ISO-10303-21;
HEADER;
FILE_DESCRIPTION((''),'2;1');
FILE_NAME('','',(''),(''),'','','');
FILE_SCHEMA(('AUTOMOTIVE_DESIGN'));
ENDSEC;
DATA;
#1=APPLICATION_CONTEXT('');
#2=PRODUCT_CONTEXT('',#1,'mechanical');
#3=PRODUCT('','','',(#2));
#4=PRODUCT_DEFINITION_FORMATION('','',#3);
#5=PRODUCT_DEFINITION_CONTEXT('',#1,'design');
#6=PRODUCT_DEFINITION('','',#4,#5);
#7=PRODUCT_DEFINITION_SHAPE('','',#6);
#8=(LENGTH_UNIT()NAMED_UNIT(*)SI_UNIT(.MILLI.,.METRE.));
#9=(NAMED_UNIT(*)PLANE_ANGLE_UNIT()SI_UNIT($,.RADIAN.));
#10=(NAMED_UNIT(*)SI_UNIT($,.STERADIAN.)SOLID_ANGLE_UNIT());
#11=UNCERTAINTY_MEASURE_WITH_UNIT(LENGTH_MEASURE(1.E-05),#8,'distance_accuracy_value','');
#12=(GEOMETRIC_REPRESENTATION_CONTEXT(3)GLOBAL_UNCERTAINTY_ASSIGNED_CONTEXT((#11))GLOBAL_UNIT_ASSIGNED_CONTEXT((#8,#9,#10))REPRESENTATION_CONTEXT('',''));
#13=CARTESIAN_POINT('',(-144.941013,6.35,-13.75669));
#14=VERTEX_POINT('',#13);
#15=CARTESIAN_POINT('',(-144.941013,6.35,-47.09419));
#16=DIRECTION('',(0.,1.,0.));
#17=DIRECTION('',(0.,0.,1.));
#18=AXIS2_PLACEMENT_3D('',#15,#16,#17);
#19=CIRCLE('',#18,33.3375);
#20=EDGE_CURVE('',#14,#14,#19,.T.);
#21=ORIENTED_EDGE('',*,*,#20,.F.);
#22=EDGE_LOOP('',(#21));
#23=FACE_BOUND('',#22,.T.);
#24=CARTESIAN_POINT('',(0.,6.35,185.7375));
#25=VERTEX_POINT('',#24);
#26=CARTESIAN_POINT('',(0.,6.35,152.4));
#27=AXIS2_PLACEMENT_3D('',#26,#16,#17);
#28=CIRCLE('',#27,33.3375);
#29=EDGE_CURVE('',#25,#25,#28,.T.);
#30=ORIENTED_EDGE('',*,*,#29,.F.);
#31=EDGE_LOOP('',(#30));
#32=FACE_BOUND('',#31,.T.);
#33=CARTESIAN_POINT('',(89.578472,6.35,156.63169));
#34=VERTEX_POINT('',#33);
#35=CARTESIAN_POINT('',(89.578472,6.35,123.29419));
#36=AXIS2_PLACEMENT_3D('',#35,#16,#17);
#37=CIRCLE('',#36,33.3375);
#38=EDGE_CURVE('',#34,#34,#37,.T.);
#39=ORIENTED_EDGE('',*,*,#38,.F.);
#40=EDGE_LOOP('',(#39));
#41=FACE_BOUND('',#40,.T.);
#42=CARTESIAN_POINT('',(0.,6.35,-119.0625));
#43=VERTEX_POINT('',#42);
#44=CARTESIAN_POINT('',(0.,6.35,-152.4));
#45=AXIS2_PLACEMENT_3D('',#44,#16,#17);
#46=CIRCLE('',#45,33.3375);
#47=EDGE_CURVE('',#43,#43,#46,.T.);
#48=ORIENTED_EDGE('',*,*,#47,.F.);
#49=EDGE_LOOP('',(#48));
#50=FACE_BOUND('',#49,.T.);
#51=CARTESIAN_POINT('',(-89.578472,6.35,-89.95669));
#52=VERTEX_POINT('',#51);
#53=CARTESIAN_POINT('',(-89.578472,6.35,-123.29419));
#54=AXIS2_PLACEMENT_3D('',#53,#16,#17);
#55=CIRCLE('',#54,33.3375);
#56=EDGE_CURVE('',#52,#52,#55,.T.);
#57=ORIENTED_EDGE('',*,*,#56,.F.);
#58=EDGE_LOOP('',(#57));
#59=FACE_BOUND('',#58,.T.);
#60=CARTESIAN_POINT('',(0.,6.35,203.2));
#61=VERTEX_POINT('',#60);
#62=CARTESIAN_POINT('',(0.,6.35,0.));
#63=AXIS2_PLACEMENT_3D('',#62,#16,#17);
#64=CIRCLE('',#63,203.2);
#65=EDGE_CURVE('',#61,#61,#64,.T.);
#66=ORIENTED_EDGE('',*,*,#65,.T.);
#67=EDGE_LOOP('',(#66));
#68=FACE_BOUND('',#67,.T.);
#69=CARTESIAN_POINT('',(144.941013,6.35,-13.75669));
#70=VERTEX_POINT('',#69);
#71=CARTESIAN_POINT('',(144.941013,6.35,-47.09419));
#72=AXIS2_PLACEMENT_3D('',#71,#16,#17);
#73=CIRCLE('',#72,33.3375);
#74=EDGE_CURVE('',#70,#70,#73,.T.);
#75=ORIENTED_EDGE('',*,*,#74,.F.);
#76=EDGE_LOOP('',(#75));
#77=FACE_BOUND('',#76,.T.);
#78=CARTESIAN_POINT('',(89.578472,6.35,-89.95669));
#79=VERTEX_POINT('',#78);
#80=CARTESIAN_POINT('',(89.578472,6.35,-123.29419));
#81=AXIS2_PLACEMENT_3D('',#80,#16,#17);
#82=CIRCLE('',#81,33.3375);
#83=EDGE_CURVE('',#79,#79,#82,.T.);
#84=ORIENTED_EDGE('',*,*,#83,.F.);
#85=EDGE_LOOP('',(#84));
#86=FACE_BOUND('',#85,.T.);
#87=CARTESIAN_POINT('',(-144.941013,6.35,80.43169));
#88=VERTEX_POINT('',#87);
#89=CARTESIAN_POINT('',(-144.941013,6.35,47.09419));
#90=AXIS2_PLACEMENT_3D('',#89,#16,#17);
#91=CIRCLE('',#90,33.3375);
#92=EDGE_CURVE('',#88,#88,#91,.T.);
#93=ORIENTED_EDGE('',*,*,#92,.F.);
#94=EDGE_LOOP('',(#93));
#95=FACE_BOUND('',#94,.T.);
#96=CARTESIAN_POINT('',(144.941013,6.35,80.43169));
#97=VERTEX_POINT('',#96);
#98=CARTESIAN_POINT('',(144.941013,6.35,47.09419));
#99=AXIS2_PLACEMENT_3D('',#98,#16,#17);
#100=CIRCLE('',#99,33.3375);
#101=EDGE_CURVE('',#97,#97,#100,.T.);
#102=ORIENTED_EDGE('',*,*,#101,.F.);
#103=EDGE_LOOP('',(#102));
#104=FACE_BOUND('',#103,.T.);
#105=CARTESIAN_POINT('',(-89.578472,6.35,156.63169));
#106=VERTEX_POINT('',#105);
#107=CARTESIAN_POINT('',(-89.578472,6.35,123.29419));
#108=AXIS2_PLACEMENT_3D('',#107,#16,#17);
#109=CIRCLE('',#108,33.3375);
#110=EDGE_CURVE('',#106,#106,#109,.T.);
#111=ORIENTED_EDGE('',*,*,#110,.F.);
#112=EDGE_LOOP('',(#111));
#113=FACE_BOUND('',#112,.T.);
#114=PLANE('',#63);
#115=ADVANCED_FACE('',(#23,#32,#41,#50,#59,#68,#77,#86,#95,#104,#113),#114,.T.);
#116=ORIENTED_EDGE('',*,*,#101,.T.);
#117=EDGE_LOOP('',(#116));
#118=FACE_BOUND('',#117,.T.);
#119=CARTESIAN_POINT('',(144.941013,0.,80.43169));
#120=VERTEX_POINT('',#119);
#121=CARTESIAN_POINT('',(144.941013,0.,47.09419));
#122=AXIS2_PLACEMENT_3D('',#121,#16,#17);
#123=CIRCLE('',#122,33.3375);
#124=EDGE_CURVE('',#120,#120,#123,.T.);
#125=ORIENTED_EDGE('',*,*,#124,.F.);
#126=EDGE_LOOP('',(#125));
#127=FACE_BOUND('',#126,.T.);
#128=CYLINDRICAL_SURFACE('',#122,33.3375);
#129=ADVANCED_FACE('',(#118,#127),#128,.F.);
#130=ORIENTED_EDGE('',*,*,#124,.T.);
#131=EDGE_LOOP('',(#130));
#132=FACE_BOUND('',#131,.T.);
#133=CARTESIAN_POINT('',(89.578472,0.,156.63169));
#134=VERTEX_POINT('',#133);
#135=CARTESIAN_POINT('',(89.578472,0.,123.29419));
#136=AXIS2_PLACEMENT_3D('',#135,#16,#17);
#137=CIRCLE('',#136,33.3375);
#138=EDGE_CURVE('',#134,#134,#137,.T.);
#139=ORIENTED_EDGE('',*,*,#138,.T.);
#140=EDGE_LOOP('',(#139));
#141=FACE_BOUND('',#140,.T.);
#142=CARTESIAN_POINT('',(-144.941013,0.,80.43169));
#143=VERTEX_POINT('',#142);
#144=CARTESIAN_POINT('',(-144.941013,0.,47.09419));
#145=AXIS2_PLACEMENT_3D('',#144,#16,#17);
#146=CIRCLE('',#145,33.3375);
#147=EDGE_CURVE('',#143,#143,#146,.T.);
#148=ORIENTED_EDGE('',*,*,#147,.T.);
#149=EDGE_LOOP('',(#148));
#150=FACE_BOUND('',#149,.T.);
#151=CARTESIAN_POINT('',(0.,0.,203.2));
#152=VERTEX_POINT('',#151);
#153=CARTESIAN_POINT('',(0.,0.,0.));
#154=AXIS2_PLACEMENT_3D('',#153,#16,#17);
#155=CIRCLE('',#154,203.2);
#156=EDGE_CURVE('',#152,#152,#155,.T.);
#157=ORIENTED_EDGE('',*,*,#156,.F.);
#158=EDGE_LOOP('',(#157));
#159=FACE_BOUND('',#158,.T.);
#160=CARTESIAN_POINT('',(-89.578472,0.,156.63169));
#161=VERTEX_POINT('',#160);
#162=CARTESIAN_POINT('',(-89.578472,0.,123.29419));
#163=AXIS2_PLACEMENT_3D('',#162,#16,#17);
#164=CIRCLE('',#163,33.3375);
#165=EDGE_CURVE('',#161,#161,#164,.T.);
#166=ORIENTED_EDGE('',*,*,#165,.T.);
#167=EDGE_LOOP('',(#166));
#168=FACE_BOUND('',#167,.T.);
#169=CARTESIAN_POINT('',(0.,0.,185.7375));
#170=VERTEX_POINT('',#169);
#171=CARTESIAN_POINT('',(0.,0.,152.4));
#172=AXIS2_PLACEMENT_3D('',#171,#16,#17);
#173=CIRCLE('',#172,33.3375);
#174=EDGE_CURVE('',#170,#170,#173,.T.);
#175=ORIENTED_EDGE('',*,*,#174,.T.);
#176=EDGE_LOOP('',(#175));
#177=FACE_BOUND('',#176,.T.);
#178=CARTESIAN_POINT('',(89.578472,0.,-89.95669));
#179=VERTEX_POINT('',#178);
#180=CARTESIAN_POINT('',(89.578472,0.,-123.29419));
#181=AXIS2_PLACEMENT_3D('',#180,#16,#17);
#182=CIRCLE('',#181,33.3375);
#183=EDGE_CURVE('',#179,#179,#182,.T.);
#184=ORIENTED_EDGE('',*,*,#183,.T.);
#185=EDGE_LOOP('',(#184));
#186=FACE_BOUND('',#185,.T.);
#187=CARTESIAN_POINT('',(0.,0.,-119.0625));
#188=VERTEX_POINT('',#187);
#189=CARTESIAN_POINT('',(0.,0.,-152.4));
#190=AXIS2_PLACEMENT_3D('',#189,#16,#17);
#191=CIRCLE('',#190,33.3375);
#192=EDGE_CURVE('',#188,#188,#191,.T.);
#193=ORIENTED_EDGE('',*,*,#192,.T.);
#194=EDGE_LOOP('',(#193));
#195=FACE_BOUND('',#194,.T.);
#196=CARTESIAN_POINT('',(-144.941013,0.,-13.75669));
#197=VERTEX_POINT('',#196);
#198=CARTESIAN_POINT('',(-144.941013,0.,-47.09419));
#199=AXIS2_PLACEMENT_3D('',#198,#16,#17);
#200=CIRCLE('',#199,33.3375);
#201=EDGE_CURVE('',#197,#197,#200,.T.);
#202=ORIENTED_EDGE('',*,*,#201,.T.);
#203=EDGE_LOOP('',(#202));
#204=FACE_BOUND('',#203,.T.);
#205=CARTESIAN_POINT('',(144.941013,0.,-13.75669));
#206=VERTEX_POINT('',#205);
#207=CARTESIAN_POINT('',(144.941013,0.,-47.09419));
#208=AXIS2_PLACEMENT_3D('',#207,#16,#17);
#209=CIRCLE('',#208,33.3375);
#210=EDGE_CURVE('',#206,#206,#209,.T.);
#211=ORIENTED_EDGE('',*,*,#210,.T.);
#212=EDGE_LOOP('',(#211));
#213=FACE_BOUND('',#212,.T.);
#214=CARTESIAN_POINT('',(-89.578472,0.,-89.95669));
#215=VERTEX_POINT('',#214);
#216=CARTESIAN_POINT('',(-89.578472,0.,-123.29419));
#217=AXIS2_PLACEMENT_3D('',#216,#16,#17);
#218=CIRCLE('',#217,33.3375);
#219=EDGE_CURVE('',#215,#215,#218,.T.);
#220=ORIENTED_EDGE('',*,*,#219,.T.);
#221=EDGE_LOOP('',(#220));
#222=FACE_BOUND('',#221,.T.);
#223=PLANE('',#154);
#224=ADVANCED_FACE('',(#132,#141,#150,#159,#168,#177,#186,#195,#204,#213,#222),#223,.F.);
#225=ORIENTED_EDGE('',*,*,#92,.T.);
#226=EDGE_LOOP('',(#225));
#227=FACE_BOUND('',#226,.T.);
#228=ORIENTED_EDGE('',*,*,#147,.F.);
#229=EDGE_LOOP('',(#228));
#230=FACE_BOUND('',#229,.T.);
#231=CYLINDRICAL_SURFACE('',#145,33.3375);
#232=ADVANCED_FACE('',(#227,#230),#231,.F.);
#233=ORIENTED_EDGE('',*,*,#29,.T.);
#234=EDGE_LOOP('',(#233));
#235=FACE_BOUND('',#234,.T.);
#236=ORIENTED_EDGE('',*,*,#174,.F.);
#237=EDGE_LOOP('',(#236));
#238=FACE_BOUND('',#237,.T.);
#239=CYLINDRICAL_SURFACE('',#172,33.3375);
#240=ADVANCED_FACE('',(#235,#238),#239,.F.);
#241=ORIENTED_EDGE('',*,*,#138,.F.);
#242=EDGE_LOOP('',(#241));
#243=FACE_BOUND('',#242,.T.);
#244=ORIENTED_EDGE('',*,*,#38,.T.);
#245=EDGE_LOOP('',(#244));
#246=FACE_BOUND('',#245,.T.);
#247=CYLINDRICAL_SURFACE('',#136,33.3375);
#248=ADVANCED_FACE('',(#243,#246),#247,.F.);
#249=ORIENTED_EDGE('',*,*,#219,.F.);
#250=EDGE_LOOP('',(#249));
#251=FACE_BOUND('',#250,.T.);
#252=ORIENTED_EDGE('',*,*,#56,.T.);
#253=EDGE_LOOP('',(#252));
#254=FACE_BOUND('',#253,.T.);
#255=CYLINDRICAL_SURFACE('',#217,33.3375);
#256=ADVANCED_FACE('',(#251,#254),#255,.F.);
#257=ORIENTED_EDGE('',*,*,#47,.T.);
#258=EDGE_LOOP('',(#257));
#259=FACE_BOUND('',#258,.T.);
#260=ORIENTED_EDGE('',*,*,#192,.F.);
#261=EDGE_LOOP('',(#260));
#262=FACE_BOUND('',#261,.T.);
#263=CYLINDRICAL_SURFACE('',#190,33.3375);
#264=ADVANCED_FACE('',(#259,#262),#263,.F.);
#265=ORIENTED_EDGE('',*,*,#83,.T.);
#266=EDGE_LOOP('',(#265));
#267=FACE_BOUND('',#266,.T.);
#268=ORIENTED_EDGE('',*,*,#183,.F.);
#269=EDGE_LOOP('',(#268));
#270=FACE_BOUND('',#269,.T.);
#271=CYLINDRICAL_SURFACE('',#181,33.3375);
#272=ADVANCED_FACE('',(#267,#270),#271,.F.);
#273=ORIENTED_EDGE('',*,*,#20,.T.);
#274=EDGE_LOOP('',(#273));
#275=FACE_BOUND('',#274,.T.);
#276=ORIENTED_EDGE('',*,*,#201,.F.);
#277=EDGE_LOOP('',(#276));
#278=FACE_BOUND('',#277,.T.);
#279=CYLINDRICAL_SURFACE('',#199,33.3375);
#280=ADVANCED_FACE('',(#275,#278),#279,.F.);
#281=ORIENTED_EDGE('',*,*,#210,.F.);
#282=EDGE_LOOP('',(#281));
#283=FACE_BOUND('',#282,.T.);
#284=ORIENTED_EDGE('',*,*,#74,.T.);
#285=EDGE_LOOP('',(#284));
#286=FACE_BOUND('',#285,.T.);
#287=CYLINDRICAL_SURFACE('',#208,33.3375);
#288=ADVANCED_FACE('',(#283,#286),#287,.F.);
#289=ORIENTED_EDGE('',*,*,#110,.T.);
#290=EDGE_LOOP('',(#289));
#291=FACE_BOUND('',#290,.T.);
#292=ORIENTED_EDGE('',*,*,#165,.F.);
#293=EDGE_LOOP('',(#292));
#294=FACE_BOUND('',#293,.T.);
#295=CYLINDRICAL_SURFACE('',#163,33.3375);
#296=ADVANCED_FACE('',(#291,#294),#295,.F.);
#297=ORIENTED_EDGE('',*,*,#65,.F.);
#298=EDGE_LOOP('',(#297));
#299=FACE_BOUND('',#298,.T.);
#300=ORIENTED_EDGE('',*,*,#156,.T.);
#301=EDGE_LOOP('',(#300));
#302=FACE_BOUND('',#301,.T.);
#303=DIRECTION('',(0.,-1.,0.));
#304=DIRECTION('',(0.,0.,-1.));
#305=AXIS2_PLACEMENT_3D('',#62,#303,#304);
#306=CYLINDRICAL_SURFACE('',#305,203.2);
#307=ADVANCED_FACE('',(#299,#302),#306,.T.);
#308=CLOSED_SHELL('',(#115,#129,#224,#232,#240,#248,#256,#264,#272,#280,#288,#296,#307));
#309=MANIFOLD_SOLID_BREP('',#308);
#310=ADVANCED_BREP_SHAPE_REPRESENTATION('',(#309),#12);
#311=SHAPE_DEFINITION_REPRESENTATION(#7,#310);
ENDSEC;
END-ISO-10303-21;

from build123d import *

# Parameters (mm, degrees)
SKETCH1_R           = 203.2
BOSS_EXTRUDE1_DEPTH = 6.35
SKETCH2_R           = 33.3375
CUT_EXTRUDE1_DEPTH  = 288.438345563


with BuildPart() as part:
    # Sketch1 → Boss-Extrude1 (new body)
    with BuildSketch(Plane(origin=(0, 0, 0), x_dir=(1, 0, 0), z_dir=(0, 1, 0))):
        with Locations(Location((0, 0, 0), (0, 0, 270))):
            Circle(SKETCH1_R)
    extrude(amount=BOSS_EXTRUDE1_DEPTH)

    # Sketch2 → Cut-Extrude1 (cut, through all)
    with BuildSketch(Plane(origin=(0, 6.35, 0), x_dir=(1, 0, 0), z_dir=(0, 1, 0))):
        with Locations(Location((0, 152.4, 0), (0, 0, 270))):
            Circle(SKETCH2_R)
        with Locations(Location((89.578472449, 123.294189943, 0), (0, 0, 270))):
            Circle(SKETCH2_R)
        with Locations(Location((144.941013083, 47.094189943, 0), (0, 0, 270))):
            Circle(SKETCH2_R)
        with Locations(Location((144.941013083, -47.094189943, 0), (0, 0, 270))):
            Circle(SKETCH2_R)
        with Locations(Location((89.578472449, -123.294189943, 0), (0, 0, 270))):
            Circle(SKETCH2_R)
        with Locations(Location((0, -152.4, 0), (0, 0, 270))):
            Circle(SKETCH2_R)
        with Locations(Location((-89.578472449, -123.294189943, 0), (0, 0, 270))):
            Circle(SKETCH2_R)
        with Locations(Location((-144.941013083, -47.094189943, 0), (0, 0, 270))):
            Circle(SKETCH2_R)
        with Locations(Location((-144.941013083, 47.094189943, 0), (0, 0, 270))):
            Circle(SKETCH2_R)
        with Locations(Location((-89.578472449, 123.294189943, 0), (0, 0, 270))):
            Circle(SKETCH2_R)
    extrude(amount=-CUT_EXTRUDE1_DEPTH, mode=Mode.SUBTRACT)


solid = part.part
